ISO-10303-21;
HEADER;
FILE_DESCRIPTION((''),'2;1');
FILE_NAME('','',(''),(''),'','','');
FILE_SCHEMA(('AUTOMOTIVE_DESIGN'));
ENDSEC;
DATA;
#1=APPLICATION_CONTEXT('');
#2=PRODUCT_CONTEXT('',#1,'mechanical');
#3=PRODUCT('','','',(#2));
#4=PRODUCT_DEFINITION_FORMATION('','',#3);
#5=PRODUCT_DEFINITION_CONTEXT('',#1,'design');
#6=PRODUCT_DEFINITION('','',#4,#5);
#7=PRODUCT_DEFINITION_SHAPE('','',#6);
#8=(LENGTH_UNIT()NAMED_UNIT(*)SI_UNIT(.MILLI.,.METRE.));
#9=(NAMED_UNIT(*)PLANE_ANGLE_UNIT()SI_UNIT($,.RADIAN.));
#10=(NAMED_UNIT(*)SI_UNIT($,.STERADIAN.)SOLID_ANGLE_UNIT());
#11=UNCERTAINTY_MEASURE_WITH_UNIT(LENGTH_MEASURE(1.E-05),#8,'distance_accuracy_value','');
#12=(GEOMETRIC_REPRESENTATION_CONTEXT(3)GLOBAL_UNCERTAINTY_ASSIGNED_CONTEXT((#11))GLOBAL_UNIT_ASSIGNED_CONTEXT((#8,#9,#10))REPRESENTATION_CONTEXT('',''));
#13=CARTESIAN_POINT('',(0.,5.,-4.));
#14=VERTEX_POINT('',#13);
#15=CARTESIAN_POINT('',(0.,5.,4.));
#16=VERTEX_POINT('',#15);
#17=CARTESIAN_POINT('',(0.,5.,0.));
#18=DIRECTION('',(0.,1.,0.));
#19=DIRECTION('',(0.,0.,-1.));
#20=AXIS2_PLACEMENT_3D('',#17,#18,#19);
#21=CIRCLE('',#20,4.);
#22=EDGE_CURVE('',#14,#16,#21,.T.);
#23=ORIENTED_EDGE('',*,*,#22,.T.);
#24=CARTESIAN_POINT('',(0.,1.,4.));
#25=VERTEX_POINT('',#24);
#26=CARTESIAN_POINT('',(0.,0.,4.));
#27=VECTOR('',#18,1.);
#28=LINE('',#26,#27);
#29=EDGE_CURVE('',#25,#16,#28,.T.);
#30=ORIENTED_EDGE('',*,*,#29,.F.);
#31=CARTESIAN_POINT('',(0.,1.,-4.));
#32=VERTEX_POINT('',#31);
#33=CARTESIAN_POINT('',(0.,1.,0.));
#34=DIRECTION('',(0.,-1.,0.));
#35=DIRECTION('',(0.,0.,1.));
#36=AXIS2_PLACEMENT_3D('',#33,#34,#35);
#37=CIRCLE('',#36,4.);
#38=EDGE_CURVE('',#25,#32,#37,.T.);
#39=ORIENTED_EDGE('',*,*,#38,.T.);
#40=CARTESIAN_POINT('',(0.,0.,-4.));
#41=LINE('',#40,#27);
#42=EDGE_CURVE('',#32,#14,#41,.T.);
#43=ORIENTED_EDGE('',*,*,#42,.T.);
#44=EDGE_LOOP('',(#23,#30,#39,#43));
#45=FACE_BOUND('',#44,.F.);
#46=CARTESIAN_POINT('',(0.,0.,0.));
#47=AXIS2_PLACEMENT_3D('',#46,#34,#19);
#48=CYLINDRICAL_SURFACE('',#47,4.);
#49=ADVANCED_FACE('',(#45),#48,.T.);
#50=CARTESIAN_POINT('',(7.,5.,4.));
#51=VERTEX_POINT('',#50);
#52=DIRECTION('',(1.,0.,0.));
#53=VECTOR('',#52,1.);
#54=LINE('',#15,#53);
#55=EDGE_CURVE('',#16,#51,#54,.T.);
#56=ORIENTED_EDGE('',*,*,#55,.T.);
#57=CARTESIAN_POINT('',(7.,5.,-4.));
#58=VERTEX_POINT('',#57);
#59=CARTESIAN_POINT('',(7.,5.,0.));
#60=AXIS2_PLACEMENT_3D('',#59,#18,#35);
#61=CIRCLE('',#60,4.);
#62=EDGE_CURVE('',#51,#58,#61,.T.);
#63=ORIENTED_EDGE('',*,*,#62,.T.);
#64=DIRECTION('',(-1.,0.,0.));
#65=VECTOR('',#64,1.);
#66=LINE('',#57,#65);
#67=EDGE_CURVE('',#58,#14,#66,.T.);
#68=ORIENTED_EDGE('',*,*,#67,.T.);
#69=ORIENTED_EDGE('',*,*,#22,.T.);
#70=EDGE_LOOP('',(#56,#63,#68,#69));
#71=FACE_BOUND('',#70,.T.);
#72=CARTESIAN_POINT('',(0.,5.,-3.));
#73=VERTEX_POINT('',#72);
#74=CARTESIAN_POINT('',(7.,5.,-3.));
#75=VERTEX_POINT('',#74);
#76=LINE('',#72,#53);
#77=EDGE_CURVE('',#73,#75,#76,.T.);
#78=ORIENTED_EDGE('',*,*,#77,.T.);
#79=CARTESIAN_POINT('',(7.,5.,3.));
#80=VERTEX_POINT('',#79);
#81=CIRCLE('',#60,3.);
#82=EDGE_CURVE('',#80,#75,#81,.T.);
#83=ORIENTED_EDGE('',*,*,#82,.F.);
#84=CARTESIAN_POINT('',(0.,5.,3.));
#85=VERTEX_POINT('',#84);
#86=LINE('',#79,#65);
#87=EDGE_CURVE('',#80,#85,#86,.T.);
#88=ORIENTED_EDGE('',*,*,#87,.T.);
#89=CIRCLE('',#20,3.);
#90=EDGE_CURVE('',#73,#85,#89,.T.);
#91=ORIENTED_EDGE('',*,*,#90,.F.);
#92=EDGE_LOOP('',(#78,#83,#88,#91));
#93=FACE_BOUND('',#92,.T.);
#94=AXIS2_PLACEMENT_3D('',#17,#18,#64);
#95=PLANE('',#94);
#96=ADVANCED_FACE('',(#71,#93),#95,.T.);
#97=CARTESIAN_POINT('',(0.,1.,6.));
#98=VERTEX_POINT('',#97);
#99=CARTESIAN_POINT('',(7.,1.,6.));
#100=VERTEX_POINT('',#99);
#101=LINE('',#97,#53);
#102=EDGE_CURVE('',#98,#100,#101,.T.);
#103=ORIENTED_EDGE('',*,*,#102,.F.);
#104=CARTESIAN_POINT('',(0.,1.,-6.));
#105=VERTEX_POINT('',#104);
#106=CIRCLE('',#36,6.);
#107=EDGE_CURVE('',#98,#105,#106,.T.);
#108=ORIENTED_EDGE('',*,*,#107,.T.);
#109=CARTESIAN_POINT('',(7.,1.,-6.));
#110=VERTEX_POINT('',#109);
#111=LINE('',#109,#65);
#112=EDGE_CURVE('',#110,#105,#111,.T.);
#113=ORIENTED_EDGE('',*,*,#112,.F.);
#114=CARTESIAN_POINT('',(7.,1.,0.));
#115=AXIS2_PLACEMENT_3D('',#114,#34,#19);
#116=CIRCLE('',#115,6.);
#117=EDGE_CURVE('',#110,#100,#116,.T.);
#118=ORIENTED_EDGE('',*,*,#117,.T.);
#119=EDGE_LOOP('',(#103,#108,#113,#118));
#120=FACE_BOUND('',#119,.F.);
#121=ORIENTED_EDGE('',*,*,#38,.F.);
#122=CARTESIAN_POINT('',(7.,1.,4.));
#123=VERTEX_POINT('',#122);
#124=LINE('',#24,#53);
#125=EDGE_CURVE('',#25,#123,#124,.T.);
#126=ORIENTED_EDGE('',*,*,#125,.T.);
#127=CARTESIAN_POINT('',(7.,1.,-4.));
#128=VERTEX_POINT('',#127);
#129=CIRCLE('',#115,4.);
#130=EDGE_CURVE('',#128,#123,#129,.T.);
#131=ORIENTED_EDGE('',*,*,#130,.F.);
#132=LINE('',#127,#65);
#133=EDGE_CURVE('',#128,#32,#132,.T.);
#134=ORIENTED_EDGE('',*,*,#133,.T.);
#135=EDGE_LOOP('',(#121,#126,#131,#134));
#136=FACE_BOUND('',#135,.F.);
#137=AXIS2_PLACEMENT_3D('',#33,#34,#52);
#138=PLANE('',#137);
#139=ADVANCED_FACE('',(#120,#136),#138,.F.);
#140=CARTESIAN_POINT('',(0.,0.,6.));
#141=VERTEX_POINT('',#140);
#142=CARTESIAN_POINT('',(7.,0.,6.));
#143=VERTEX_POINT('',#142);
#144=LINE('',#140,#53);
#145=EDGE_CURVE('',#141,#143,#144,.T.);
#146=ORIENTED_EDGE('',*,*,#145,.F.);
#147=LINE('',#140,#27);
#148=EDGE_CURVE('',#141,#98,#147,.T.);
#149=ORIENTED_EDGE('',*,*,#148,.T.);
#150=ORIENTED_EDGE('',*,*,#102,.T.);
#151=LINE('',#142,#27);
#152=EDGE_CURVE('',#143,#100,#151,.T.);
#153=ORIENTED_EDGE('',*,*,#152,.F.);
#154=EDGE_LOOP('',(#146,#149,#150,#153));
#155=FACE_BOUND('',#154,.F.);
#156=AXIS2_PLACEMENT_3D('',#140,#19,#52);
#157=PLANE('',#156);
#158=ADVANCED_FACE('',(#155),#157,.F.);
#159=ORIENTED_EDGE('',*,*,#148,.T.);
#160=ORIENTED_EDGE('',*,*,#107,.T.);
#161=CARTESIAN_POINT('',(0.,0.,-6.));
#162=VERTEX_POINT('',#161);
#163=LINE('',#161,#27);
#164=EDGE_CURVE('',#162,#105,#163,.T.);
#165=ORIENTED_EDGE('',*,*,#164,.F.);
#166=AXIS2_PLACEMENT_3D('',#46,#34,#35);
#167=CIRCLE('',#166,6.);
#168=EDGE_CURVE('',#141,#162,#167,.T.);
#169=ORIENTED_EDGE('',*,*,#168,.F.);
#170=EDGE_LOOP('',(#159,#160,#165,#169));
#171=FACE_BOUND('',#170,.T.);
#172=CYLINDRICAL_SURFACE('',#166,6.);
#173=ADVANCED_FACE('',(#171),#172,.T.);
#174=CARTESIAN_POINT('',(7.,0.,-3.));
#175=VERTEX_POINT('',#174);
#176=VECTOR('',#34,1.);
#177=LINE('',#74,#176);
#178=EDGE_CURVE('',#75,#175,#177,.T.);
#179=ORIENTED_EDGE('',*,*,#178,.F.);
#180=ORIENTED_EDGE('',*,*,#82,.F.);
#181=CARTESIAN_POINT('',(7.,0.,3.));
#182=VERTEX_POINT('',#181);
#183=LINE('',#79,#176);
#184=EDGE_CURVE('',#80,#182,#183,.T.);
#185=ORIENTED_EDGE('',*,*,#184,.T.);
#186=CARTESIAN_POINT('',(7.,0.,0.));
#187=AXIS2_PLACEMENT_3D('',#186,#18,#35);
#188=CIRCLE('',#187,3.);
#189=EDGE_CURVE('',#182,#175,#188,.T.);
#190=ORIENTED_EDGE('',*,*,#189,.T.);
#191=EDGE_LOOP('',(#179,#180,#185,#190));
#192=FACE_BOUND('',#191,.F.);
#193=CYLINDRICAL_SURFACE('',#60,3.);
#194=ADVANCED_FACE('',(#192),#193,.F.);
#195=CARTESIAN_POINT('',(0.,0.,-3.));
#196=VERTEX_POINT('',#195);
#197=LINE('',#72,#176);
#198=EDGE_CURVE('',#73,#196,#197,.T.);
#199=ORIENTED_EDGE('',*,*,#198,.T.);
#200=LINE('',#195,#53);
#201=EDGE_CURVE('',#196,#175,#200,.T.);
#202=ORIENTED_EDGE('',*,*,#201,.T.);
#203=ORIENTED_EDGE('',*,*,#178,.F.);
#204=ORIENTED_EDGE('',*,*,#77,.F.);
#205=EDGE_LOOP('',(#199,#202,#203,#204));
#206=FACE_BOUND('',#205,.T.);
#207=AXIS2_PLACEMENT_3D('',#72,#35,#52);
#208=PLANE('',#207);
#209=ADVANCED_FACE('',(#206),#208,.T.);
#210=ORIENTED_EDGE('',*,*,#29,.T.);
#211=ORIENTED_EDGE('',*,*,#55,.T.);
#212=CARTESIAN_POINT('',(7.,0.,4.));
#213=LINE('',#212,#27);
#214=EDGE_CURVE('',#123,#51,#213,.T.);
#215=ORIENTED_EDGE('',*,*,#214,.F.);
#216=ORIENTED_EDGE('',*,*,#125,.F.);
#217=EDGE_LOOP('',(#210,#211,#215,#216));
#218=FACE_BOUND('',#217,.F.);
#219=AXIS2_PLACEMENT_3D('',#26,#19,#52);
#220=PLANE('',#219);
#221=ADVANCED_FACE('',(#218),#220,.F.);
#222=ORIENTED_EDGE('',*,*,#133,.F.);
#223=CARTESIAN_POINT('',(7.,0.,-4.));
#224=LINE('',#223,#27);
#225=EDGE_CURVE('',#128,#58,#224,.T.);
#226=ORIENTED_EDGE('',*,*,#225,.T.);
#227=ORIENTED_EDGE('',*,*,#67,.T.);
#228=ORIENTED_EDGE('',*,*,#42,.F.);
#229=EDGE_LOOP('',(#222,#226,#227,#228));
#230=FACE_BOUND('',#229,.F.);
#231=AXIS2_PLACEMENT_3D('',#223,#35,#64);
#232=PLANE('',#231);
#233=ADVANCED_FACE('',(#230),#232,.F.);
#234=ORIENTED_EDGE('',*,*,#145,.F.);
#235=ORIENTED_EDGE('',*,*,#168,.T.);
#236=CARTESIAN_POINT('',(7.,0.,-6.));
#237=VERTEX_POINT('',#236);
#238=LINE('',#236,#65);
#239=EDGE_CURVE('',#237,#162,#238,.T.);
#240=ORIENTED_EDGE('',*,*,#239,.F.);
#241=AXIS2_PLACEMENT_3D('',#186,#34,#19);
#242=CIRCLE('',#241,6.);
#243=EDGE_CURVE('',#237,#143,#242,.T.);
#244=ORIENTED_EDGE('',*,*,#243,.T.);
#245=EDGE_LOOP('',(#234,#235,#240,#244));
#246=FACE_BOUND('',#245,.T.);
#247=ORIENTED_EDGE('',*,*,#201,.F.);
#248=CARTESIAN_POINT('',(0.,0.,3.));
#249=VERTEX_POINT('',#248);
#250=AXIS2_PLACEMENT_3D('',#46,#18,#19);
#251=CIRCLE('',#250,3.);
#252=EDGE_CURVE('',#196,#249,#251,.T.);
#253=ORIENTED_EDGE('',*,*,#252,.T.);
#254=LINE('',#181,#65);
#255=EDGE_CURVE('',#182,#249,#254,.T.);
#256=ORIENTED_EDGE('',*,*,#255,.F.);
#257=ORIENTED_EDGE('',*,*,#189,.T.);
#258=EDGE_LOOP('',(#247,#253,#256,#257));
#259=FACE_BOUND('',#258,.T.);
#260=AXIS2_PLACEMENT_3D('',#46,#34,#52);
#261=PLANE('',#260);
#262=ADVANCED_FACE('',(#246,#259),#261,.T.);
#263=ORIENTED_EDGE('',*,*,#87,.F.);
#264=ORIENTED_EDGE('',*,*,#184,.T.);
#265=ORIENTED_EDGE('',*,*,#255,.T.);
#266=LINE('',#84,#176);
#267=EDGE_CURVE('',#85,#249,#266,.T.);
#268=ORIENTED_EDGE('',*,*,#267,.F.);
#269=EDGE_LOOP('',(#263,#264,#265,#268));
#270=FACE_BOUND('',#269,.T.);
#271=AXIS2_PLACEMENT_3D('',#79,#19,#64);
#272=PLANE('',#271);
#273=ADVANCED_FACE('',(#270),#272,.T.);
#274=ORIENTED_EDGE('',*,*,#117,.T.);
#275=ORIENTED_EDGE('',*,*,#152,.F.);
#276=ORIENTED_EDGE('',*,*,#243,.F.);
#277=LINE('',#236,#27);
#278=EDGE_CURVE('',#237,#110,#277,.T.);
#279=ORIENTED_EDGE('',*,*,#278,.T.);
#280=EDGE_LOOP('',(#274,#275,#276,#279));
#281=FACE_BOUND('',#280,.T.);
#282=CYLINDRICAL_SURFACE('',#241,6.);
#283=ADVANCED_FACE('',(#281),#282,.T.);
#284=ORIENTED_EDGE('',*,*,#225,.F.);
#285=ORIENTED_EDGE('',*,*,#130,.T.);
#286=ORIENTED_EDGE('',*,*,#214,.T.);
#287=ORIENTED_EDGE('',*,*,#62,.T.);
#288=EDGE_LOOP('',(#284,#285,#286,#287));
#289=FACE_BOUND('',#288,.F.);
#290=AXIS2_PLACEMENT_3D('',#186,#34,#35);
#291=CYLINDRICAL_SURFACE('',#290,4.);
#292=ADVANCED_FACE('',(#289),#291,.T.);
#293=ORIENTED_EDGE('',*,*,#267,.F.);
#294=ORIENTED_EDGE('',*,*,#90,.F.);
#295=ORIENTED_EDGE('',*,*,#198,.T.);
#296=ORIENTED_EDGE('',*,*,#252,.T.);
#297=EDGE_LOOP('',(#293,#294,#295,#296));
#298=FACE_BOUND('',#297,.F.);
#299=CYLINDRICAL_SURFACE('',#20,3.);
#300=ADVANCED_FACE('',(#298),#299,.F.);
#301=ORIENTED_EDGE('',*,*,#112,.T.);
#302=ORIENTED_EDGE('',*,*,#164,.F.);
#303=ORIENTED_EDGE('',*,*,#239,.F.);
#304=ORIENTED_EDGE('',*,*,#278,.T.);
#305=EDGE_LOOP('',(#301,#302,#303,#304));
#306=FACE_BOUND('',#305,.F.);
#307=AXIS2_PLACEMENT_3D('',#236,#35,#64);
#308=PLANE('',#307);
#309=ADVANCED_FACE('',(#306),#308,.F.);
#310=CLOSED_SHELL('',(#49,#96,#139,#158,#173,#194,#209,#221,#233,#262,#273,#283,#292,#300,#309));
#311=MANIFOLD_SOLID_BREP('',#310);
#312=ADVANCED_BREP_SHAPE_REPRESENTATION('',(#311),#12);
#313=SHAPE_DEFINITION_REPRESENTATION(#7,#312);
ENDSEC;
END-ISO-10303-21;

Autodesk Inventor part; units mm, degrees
ref_plane "YZ Plane" through (0, 0, 0) normal (1, 0, 0) x (0, 1, 0)
ref_plane "XZ Plane" through (0, 0, 0) normal (0, 1, 0) x (-1, 0, 0)
ref_plane "XY Plane" through (0, 0, 0) normal (0, 0, 1) x (1, 0, 0)
sketch "Эскиз1" plane through (0, 0, 0) normal (0, 1, 0) x (-1, 0, 0)
  line L0 (0, 0) -> (-7, 0) construction
  line L1 (0, 4) -> (-7, 4)
  line L2 (-7, -4) -> (0, -4)
  arc A0 (0, -4) -> (0, 4) centre (0, 0) ccw
  arc A1 (-7, 4) -> (-7, -4) centre (-7, 0) ccw
  point P0 (-3.5, 0)
  dimension "d0" = 7
  dimension "d1" = 8
extrude "Выдавливание1" add sketch "Эскиз1" along normal blind 5
sketch "Эскиз2" plane through (0, 0, 0) normal (0, -1, 0) x (1, 0, 0)
  line L0 (0, 4) -> (7, 4) projected
  arc A0 (0, 4) -> (0, -4) centre (0, 0) ccw projected
  line L1 (7, -4) -> (0, -4) projected
  arc A1 (7, -4) -> (7, 4) centre (7, 0) ccw projected
  arc A2 (0, 6) -> (0, -6) centre (0, 0) ccw
  line L2 (0, 6) -> (7, 6)
  arc A3 (7, -6) -> (7, 6) centre (7, 0) ccw
  line L3 (7, -6) -> (0, -6)
  dimension "d4" = 2
extrude "Выдавливание2" add sketch "Эскиз2" against normal blind 1
sketch "Эскиз3" plane through (0, 5, 0) normal (0, 1, 0) x (1, 0, 0)
  line L0 (0, -4) -> (7, -4) projected
  arc A0 (7, -4) -> (7, 4) centre (7, 0) ccw projected
  line L1 (7, 4) -> (0, 4) projected
  arc A1 (0, 4) -> (0, -4) centre (0, 0) ccw projected
  line L2 (0, 3) -> (7, 3)
  arc A2 (7, -3) -> (7, 3) centre (7, 0) ccw
  line L3 (7, -3) -> (0, -3)
  arc A3 (0, 3) -> (0, -3) centre (0, 0) ccw
  dimension "d7" = 1
extrude "Выдавливание3" cut sketch "Эскиз3" against normal up to surface (5 mm away) contours L2 A2 L3 A3
properties part number "Flanec_podProvoda"
